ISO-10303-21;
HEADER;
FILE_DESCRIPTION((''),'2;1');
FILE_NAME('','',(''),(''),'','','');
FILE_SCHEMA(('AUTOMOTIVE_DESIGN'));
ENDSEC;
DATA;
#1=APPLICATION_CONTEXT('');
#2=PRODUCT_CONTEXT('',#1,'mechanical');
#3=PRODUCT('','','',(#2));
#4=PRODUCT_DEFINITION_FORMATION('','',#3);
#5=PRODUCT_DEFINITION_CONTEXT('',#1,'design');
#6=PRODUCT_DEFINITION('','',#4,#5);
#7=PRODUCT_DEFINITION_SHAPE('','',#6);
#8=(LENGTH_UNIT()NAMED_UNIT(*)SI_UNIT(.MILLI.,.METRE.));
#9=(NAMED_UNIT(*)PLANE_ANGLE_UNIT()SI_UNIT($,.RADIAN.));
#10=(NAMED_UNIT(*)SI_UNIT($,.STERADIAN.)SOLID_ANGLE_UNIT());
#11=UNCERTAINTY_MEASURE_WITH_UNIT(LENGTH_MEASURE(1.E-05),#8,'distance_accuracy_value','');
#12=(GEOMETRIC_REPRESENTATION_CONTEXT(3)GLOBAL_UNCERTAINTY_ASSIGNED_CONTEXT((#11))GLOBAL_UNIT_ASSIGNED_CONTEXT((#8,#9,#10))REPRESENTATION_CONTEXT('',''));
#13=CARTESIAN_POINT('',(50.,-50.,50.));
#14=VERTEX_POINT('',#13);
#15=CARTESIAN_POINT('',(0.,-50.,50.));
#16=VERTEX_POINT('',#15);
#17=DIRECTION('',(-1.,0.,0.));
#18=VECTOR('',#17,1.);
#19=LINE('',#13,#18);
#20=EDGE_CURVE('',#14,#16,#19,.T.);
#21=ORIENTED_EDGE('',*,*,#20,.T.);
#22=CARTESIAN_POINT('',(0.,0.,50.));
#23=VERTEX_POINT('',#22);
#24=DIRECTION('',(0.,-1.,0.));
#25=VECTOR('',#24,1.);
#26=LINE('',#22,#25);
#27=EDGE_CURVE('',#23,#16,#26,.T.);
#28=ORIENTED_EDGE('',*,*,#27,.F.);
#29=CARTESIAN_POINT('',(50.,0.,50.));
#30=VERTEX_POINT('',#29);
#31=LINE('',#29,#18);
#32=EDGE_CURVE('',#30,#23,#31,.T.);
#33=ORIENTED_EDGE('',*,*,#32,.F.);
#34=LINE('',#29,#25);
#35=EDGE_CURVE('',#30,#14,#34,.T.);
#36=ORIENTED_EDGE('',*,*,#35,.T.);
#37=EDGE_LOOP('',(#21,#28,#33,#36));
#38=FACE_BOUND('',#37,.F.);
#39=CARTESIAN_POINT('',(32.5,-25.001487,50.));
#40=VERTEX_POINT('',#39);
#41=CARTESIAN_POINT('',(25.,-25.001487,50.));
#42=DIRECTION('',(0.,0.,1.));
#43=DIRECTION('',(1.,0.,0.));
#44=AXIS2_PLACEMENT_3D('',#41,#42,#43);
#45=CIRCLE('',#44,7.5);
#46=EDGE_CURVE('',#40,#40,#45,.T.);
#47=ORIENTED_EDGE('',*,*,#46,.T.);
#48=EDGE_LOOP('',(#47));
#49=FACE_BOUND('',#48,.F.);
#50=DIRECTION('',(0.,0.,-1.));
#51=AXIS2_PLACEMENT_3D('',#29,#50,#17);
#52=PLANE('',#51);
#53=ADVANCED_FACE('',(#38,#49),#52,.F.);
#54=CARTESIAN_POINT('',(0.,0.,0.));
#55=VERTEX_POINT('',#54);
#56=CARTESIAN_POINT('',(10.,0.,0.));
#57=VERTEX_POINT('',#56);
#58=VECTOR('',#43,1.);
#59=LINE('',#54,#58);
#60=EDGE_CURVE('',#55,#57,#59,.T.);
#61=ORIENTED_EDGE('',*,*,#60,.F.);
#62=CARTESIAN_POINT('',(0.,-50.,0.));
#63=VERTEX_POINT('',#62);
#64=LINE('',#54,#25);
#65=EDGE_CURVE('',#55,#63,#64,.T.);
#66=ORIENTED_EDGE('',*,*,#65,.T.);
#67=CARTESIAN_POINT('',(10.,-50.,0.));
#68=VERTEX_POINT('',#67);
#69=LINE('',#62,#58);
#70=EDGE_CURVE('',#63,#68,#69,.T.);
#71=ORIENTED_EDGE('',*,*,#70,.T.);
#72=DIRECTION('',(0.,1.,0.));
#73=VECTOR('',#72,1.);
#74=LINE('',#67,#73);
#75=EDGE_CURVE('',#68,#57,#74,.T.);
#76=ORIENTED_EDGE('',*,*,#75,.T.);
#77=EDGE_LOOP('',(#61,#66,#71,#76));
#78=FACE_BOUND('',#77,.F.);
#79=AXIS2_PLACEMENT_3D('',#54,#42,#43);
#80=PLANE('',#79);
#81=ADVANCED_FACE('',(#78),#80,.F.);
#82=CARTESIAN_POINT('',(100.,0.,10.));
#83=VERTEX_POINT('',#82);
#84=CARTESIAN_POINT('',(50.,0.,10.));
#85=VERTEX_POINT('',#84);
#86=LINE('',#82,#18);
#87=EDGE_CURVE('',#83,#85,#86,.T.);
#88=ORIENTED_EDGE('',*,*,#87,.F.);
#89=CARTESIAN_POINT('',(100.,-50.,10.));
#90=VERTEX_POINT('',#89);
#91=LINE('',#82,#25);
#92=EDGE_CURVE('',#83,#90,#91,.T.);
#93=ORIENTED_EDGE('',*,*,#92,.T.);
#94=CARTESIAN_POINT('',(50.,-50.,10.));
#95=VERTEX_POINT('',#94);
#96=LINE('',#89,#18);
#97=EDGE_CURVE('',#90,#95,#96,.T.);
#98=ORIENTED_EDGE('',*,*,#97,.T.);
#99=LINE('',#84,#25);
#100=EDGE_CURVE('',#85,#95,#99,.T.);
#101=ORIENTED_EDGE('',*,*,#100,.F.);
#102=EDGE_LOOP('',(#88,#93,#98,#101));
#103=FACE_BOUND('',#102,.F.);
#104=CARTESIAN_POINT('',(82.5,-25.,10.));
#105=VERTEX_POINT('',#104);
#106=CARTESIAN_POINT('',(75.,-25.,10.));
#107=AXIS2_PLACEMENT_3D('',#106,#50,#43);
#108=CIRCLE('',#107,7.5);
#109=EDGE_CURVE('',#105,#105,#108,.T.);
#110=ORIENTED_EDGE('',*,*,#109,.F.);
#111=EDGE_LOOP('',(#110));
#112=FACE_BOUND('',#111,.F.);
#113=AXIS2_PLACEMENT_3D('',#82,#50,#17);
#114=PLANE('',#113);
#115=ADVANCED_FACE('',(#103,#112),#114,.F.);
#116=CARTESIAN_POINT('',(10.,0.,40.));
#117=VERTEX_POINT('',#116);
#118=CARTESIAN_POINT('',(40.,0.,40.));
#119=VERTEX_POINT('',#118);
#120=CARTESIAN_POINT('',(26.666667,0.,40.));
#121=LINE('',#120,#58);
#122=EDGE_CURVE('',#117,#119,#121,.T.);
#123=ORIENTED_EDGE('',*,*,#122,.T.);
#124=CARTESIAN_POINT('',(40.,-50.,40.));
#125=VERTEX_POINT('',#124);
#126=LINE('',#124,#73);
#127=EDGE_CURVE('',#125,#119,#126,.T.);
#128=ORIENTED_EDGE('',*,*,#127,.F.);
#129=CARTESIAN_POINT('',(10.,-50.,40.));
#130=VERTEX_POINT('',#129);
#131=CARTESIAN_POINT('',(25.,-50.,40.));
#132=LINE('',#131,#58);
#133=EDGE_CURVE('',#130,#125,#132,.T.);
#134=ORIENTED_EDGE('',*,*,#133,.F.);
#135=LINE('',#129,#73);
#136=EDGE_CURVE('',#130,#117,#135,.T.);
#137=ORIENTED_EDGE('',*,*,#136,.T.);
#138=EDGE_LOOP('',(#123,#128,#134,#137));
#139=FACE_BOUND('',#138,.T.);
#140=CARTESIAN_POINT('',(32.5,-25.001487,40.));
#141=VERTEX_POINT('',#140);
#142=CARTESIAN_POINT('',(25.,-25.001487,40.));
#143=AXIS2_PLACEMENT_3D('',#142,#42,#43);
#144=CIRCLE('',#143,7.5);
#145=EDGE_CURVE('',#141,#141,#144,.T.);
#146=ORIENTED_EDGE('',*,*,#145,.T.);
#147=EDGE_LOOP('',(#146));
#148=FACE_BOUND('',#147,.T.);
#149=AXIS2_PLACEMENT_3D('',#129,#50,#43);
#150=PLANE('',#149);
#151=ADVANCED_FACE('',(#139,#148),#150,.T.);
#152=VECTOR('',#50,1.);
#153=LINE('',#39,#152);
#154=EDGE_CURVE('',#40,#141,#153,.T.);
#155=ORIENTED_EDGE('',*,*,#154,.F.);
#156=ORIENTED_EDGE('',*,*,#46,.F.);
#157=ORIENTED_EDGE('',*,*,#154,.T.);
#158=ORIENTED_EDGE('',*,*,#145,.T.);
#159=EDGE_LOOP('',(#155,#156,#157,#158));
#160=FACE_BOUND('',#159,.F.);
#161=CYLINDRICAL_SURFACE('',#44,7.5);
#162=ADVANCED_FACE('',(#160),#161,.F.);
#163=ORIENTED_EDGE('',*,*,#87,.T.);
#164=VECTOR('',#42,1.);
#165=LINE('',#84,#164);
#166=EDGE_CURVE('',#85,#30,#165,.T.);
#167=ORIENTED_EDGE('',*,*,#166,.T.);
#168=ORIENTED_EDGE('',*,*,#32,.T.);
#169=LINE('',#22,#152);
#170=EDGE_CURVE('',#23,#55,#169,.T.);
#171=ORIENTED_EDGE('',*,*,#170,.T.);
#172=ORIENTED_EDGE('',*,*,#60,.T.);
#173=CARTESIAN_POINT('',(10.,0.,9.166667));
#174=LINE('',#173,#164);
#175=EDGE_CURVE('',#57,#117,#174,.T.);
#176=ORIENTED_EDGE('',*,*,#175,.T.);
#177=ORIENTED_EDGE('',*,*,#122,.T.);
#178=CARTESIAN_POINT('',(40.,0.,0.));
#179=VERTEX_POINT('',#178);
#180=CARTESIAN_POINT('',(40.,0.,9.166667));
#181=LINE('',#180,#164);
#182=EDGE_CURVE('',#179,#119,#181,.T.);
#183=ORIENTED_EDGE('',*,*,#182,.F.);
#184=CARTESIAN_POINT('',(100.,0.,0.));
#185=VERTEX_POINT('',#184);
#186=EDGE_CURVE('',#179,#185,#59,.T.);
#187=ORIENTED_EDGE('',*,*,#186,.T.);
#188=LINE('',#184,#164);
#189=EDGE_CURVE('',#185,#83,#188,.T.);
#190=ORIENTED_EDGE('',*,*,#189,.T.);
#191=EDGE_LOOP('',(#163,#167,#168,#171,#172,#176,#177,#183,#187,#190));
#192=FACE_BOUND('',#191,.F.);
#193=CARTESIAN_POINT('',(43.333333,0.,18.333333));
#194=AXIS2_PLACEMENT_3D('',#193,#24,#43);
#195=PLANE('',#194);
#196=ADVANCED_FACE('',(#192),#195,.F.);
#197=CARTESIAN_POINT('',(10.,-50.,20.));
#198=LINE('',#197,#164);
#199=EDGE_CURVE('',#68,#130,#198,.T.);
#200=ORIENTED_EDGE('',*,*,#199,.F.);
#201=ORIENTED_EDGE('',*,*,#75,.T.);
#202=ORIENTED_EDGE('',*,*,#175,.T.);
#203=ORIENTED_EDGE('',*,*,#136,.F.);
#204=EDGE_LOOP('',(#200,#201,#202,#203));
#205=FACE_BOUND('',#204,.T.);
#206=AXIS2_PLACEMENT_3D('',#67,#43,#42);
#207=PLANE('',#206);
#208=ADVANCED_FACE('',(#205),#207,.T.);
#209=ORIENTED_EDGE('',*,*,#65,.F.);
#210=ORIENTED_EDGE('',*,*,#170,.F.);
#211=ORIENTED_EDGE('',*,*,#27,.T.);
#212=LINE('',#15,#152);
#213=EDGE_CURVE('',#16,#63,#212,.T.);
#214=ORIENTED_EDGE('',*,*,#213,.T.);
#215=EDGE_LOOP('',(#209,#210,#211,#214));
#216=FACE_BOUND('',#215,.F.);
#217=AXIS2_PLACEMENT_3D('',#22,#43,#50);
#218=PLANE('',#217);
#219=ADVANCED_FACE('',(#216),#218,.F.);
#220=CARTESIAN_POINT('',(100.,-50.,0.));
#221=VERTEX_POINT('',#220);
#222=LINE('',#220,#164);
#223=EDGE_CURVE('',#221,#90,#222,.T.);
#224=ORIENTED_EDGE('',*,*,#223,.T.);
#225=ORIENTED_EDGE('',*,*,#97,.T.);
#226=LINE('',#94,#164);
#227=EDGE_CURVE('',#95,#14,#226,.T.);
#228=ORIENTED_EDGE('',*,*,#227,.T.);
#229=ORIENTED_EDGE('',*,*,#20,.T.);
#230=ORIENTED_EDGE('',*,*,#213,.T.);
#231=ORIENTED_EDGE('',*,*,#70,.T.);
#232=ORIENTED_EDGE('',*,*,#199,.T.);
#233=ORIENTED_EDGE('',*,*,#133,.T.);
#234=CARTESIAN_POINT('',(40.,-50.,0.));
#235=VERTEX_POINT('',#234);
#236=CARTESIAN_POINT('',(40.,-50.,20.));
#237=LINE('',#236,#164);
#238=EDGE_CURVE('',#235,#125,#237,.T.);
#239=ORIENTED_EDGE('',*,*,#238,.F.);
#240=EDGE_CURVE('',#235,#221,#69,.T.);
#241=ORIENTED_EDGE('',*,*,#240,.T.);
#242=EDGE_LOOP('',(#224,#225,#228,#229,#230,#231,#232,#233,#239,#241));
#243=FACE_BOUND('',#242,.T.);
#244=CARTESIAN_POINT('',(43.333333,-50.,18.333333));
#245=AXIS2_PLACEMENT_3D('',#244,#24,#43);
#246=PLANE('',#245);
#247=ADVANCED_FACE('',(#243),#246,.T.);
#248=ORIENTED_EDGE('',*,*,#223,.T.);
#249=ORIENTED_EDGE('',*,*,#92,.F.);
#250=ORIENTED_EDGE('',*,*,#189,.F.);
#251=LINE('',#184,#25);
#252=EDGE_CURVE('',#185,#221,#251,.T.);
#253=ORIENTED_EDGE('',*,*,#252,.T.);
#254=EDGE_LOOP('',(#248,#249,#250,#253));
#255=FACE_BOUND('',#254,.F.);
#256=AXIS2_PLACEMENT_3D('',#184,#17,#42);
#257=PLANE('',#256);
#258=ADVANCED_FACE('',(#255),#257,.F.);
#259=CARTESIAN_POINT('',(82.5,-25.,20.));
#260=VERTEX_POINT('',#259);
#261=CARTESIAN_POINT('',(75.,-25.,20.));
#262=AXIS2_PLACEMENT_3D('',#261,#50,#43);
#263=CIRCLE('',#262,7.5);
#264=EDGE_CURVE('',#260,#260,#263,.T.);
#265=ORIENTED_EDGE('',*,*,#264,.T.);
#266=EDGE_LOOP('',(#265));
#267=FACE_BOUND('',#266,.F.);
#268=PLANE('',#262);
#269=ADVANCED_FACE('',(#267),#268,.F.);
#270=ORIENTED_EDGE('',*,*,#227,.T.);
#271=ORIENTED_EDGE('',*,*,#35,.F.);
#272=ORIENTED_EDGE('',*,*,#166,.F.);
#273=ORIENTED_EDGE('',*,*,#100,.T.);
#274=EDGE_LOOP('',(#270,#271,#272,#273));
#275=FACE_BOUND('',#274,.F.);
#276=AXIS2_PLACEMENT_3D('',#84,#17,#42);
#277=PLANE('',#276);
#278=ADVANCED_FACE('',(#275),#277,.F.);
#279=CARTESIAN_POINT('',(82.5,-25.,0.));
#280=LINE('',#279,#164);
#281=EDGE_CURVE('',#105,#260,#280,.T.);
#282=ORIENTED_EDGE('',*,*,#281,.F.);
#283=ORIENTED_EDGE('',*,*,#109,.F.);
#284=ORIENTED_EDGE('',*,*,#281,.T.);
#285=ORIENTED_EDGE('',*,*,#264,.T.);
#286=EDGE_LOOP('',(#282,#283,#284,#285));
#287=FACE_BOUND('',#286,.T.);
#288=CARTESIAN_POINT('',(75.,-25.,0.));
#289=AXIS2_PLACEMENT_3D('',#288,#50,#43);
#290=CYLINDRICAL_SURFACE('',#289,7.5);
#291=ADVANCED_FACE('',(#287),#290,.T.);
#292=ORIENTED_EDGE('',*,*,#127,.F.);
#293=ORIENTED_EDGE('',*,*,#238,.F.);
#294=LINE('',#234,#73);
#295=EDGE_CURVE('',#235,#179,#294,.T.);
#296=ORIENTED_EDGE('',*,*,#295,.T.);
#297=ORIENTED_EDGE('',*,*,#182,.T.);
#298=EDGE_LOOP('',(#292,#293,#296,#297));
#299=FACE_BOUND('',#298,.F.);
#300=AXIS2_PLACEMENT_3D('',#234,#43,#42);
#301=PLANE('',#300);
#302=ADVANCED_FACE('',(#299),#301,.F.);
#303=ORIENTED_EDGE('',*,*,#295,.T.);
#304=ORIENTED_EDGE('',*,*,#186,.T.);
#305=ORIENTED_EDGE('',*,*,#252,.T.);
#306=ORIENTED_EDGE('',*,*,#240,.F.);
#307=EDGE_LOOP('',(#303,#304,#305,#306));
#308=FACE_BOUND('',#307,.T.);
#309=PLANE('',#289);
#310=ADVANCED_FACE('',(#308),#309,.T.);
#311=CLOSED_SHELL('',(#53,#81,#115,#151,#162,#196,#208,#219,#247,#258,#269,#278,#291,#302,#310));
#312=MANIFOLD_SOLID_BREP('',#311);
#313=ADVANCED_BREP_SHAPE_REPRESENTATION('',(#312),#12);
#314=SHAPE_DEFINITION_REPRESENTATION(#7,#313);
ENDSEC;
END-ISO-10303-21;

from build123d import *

# Parameters (mm, degrees)
F1_DEPTH = 50
F2_W     = 30
F2_H     = 40
F3_DEPTH = 50.001
F4_R     = 7.5
F5_DEPTH = 50.001
F6_R     = 7.5
F7_DEPTH = 20


with BuildPart() as f1:
    # F0 (on Front) → F1 (new body)
    with BuildSketch(Plane.XZ):
        Polygon((0, 50), (0, 0), (100, 0), (100, 10), (50, 10), (50, 50), align=None)
    extrude(amount=F1_DEPTH)

    # F2 (on face) → F3 (cut, through all)
    with BuildSketch(Plane.XZ.offset(50)):
        with Locations((25, 20)):
            Rectangle(F2_W, F2_H)
    extrude(amount=-F3_DEPTH, mode=Mode.SUBTRACT)

    # F4 (on face) → F5 (cut, through all)
    with BuildSketch(Plane.XY.offset(50)):
        with Locations((25, -25.001487)):
            Circle(F4_R)
    extrude(amount=-F5_DEPTH, mode=Mode.SUBTRACT)

    # F6 (on face) → F7 (join)
    with BuildSketch(Plane(origin=(0, 0, 0), x_dir=(1, 0, 0), z_dir=(0, 0, -1))):
        with Locations((75, 25)):
            Circle(F6_R)
    extrude(amount=-F7_DEPTH)


solid = f1.part
